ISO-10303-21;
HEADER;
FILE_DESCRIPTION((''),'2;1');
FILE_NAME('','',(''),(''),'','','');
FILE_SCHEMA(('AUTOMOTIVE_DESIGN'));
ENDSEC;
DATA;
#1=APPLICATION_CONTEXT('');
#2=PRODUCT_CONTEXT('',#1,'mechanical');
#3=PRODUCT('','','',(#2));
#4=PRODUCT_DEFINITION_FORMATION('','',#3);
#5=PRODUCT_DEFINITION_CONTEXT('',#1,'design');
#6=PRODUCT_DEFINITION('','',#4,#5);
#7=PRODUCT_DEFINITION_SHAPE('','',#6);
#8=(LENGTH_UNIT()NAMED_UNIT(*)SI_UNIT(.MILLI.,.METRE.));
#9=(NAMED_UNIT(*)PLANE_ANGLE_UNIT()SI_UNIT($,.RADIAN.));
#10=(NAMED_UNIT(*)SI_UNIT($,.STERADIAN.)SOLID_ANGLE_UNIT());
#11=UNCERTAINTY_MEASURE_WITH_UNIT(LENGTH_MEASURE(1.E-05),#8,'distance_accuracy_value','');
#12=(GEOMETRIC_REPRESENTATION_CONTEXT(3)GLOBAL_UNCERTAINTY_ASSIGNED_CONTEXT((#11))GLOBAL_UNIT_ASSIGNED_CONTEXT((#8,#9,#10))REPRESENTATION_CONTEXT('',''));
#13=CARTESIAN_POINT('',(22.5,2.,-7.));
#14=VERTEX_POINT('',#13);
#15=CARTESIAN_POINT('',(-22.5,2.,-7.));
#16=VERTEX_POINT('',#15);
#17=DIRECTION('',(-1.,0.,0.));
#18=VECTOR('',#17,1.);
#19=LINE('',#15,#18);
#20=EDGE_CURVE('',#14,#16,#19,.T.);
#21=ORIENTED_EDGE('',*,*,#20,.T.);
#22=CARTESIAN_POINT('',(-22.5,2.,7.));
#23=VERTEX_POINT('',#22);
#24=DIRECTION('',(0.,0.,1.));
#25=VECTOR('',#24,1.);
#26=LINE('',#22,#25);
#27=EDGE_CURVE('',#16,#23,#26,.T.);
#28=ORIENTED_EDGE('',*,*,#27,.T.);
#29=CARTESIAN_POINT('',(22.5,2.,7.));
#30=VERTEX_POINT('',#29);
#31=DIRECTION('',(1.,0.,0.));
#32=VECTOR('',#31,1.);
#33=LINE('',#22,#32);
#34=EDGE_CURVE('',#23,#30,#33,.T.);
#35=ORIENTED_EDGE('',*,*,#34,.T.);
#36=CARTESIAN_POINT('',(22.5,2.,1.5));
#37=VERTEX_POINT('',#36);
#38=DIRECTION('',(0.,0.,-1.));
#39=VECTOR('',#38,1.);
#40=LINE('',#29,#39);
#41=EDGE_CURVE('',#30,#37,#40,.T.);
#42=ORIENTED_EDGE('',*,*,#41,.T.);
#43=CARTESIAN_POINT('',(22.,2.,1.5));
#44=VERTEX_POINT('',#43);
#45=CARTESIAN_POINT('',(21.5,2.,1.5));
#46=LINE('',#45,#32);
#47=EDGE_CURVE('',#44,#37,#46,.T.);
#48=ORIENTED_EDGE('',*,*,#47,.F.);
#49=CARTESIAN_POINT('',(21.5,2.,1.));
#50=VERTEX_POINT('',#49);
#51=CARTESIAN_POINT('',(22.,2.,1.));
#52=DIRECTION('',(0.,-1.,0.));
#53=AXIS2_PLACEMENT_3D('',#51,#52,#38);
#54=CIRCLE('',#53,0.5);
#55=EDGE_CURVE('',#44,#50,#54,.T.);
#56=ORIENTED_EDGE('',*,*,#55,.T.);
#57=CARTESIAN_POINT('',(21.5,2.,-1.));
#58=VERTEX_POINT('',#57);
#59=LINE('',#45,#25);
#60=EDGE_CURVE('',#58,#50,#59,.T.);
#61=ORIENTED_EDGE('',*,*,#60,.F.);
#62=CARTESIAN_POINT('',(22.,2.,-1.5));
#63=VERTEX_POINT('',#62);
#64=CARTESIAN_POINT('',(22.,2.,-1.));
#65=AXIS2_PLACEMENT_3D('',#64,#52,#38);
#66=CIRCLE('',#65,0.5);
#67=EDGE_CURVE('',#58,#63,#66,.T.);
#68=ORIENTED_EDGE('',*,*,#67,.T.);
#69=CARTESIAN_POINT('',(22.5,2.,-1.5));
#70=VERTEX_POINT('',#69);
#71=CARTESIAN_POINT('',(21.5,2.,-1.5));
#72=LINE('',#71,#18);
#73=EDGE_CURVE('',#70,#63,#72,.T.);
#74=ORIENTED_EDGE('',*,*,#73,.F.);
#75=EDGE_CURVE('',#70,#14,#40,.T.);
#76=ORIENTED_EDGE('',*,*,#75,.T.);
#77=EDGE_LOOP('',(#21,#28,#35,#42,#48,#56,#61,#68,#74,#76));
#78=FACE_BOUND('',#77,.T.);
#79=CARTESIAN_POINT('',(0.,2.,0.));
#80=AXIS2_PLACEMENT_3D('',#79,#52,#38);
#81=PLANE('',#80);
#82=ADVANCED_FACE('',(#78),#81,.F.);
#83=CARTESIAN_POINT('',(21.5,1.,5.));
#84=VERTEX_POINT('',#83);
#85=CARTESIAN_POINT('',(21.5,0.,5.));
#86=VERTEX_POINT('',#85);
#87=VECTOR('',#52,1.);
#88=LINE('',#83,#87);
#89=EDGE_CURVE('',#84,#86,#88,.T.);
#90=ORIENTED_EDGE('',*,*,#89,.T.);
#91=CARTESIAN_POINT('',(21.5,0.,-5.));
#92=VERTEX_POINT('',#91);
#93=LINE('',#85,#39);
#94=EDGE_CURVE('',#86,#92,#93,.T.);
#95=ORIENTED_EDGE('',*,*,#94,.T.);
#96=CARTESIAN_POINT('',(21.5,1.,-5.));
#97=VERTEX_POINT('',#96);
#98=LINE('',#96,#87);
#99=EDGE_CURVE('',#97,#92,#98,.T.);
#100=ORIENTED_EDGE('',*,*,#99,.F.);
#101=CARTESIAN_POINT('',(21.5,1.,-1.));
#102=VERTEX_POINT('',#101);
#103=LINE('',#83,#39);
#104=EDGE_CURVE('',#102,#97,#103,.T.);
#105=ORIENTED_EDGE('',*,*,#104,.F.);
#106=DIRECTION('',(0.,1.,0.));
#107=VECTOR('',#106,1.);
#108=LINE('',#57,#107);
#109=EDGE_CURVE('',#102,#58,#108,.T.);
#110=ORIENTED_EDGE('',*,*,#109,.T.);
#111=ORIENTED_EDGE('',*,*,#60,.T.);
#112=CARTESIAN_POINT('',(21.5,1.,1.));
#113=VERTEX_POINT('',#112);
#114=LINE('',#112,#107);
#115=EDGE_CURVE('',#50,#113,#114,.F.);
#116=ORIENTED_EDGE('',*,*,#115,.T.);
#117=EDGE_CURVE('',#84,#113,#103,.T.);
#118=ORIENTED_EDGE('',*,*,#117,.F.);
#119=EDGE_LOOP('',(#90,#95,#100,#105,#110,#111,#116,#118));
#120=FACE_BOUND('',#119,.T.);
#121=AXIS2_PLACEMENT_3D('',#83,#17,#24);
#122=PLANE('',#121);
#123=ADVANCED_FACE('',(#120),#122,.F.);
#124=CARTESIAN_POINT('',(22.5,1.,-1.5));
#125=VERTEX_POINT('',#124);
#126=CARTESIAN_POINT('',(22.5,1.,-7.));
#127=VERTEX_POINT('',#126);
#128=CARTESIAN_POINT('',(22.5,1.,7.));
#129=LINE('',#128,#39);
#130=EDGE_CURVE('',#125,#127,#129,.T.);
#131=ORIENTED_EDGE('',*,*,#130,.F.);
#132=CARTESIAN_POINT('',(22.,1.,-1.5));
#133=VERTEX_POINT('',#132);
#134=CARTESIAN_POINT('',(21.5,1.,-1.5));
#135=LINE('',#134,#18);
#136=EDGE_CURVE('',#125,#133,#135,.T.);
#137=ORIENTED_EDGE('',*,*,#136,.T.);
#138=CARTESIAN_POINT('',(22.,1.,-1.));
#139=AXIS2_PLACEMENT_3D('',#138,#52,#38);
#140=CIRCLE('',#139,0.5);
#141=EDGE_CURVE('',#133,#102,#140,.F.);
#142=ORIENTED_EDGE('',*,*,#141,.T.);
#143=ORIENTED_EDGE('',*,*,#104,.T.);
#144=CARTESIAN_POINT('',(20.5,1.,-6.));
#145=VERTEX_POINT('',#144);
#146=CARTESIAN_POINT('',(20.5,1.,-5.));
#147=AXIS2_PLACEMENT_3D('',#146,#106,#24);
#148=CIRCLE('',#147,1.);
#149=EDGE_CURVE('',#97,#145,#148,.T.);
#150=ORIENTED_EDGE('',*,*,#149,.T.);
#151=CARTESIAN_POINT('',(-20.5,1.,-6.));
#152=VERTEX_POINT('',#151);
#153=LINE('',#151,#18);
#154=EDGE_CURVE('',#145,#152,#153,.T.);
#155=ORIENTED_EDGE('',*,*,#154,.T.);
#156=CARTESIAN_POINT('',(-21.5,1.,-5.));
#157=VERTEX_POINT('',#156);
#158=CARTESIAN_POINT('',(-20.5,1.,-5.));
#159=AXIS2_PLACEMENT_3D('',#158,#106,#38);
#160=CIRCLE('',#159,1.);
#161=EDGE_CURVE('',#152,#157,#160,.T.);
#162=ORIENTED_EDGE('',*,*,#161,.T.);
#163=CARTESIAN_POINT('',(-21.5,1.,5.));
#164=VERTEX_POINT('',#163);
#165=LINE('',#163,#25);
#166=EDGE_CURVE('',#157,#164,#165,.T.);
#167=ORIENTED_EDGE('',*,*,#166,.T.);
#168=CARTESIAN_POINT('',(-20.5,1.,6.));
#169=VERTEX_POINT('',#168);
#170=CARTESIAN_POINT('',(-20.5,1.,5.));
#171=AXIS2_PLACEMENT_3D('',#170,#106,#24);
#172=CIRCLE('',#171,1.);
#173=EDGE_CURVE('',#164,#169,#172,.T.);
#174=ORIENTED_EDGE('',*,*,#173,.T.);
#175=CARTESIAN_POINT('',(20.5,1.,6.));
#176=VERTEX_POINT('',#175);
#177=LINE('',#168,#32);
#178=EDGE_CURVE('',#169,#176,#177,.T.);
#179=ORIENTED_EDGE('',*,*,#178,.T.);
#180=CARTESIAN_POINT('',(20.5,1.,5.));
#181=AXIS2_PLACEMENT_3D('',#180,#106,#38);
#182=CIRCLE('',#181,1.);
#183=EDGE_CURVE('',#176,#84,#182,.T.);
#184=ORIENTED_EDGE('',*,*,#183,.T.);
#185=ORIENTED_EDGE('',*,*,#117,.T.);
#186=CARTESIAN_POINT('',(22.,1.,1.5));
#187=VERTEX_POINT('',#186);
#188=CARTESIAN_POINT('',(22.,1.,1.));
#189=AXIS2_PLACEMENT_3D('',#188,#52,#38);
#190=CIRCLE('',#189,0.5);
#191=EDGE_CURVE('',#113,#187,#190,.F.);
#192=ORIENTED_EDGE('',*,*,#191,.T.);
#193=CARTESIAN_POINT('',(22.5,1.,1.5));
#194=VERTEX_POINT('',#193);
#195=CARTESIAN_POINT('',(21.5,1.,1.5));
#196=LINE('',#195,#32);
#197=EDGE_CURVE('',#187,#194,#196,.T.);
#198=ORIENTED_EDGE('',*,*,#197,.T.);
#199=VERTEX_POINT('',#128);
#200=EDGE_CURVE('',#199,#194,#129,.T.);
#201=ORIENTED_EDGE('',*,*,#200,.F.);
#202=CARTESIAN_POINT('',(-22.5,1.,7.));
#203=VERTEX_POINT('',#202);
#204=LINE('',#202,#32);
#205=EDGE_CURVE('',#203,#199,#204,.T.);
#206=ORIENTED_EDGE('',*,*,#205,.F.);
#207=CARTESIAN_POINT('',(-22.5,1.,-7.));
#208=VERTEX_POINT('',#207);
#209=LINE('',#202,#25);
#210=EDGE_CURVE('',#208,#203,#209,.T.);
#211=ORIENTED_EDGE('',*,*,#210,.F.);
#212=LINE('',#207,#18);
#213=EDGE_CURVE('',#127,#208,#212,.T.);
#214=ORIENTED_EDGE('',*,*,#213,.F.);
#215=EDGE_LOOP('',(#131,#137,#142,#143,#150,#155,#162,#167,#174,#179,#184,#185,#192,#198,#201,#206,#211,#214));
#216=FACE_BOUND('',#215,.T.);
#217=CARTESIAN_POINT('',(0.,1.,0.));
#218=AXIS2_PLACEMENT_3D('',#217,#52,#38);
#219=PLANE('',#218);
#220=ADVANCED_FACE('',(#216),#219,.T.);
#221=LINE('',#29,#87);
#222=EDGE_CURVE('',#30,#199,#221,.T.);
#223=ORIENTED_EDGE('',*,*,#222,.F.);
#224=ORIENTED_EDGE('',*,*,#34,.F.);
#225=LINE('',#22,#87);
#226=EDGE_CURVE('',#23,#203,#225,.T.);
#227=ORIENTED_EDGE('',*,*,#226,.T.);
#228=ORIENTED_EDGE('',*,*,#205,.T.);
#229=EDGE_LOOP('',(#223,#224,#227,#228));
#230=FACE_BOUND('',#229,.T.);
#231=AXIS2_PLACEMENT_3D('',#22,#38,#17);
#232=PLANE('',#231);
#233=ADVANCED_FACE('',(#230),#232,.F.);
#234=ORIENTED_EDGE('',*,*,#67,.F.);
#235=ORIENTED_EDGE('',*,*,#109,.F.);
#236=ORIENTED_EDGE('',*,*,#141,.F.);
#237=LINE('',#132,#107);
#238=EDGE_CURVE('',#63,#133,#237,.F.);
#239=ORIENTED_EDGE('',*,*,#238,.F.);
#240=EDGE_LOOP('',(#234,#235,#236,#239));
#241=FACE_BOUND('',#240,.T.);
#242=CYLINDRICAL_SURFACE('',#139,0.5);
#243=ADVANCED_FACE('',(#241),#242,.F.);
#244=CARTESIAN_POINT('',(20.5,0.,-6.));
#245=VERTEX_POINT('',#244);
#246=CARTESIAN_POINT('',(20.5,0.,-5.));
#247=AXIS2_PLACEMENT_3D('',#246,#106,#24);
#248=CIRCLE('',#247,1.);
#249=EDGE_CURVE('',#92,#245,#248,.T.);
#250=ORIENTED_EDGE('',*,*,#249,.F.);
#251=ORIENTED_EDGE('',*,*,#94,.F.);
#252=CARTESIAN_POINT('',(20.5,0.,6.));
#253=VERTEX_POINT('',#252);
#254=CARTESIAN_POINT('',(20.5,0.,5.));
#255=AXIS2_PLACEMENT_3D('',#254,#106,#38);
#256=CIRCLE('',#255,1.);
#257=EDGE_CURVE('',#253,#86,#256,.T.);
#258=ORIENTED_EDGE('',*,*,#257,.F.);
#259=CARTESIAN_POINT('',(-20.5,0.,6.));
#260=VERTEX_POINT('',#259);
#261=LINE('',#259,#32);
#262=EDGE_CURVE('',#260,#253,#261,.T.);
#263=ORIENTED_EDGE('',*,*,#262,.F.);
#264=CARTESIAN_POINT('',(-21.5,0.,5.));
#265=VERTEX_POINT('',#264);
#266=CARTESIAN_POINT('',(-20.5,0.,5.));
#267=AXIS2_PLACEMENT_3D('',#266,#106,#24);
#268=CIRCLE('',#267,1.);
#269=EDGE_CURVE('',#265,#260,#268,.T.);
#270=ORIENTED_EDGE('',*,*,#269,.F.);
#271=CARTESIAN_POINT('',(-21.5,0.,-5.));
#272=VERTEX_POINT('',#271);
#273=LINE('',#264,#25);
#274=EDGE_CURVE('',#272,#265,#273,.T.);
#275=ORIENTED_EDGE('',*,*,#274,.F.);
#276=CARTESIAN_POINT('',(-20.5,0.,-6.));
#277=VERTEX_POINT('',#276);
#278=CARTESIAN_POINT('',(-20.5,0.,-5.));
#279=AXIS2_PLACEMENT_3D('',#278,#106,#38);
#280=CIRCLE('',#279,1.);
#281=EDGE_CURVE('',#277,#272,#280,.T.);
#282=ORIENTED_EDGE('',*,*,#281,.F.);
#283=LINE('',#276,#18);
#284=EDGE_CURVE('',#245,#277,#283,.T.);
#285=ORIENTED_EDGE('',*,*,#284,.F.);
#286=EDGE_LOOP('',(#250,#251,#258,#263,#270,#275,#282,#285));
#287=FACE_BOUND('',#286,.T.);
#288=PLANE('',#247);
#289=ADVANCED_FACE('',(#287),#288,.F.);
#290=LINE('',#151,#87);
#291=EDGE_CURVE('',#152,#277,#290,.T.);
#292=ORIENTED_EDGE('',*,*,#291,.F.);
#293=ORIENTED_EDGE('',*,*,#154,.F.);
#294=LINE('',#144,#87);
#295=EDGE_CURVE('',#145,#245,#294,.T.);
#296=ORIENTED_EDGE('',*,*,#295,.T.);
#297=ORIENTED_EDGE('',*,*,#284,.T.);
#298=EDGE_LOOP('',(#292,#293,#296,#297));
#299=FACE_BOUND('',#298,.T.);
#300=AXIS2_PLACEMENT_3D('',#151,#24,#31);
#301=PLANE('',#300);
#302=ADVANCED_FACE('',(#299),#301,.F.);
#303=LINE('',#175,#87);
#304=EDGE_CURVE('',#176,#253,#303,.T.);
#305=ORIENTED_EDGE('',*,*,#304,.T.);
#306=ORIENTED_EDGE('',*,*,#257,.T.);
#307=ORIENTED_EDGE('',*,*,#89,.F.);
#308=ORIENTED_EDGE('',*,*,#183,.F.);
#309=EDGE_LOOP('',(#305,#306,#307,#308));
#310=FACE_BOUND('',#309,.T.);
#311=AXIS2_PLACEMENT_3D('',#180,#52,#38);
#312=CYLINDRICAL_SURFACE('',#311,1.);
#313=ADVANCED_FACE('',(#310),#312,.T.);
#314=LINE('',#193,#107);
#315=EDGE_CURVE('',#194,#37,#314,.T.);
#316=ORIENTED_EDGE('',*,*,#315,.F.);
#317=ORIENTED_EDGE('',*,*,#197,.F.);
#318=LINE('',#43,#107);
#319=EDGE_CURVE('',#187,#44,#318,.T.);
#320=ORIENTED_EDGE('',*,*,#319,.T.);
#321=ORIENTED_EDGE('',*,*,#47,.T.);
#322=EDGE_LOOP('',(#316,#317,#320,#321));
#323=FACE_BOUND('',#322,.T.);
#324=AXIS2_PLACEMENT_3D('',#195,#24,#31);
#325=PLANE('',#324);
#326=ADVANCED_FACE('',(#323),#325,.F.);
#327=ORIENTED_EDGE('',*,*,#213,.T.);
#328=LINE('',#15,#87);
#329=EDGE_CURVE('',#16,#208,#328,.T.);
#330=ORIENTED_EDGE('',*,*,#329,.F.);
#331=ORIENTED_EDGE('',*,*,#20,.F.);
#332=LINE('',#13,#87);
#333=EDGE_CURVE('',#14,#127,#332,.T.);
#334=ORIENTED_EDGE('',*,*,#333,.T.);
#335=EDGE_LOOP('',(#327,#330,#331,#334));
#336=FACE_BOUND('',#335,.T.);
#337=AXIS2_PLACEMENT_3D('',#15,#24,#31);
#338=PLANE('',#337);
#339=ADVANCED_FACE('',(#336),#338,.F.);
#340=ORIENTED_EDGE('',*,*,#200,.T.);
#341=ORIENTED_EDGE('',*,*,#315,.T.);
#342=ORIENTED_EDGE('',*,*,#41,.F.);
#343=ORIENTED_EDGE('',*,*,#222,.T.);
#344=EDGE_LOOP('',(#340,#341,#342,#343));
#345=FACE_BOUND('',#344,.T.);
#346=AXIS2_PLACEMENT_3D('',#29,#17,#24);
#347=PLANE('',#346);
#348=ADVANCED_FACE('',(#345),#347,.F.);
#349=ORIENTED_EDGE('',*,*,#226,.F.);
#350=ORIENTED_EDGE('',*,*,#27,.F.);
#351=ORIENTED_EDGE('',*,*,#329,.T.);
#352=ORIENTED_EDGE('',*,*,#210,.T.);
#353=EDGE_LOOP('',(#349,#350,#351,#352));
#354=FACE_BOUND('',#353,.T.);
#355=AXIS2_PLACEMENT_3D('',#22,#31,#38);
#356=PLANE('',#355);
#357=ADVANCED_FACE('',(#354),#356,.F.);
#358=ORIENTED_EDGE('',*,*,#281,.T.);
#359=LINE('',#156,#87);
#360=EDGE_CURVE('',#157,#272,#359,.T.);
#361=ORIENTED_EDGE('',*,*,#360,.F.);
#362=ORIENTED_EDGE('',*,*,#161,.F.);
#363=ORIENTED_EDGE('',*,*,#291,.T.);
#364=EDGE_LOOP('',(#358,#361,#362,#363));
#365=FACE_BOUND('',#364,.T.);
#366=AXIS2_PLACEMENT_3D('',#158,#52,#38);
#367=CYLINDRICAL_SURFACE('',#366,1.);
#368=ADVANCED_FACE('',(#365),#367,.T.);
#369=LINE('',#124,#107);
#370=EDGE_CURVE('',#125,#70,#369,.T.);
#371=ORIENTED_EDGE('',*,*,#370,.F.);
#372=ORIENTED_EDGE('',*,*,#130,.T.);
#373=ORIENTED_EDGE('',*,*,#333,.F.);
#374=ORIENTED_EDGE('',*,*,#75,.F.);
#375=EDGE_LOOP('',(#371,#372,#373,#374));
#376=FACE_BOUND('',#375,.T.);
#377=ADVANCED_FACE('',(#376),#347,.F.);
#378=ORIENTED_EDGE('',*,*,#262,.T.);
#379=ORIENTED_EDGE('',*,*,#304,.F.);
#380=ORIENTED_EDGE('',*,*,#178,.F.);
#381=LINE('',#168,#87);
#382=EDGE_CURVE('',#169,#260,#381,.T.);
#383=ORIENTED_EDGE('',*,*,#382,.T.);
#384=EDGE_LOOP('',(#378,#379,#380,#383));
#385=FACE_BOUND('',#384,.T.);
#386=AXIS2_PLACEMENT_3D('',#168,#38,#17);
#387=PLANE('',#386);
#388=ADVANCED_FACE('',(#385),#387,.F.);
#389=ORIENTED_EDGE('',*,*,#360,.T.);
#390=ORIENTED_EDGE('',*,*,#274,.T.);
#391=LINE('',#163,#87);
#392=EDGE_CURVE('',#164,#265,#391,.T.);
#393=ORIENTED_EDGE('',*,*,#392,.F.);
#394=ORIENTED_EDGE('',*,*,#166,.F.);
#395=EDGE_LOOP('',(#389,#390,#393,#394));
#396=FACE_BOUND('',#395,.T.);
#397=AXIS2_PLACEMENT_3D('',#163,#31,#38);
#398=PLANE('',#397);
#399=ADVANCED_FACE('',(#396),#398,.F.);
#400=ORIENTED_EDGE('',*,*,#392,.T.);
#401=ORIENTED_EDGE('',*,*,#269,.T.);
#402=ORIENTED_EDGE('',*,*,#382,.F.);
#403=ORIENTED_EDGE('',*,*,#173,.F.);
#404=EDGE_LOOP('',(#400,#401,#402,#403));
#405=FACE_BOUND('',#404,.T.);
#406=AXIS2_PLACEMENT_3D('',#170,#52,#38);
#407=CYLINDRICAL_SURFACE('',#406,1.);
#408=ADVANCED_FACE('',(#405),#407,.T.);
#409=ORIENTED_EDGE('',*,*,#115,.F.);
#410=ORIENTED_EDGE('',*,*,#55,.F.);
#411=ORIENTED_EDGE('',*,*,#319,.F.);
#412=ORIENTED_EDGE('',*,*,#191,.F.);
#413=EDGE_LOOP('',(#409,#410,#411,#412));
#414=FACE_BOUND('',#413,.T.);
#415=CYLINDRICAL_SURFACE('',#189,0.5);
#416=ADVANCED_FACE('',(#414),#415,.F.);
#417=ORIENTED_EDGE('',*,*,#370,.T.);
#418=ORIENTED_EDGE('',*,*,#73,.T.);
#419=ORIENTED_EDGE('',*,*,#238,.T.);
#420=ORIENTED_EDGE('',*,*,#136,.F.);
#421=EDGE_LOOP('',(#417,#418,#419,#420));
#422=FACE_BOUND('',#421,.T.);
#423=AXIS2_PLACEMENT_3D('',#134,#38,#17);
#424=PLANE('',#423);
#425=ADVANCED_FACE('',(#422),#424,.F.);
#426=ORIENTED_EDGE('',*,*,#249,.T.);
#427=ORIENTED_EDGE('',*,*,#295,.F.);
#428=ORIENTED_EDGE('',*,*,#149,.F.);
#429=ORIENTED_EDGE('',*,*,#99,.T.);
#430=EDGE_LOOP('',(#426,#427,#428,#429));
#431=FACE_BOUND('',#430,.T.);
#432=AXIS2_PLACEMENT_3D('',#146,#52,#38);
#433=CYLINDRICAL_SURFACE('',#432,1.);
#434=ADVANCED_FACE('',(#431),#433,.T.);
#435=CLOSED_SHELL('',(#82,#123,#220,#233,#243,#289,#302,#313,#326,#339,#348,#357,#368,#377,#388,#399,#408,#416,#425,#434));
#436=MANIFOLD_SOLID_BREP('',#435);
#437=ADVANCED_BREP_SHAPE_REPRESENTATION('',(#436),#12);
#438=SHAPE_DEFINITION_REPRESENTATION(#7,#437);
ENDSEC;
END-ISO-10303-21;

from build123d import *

# Parameters (mm, degrees)
BOSS_EXTRUDE1_DEPTH = 1
SKETCH2_W           = 45
SKETCH2_H           = 14
BOSS_EXTRUDE2_DEPTH = 1
SKETCH3_W           = 1
SKETCH3_H           = 3
CUT_EXTRUDE1_DEPTH  = 1
FILLET1_R           = 0.5


with BuildPart() as part:
    # Sketch1 → Boss-Extrude1 (new body)
    with BuildSketch(Plane(origin=(0, 0, 0), x_dir=(1, 0, 0), z_dir=(0, 1, 0))):
        with BuildLine():
            Line((-20.5, -6), (20.5, -6))
            ThreePointArc((20.5, -6), (21.207106781, -5.707106781), (21.5, -5))
            Line((21.5, -5), (21.5, 5))
            ThreePointArc((21.5, 5), (21.207106781, 5.707106781), (20.5, 6))
            Line((20.5, 6), (-20.5, 6))
            ThreePointArc((-20.5, 6), (-21.207106781, 5.707106781), (-21.5, 5))
            Line((-21.5, 5), (-21.5, -5))
            ThreePointArc((-21.5, -5), (-21.207106781, -5.707106781), (-20.5, -6))
        make_face()
    extrude(amount=BOSS_EXTRUDE1_DEPTH)

    # Sketch2 → Boss-Extrude2 (add)
    with BuildSketch(Plane(origin=(0, 1, 0), x_dir=(1, 0, 0), z_dir=(0, 1, 0))):
        Rectangle(SKETCH2_W, SKETCH2_H)
    extrude(amount=BOSS_EXTRUDE2_DEPTH)

    # Sketch3 → Cut-Extrude1 (cut)
    with BuildSketch(Plane(origin=(0, 2, 0), x_dir=(1, 0, 0), z_dir=(0, 1, 0))):
        with Locations((22, 0)):
            Rectangle(SKETCH3_W, SKETCH3_H)
    extrude(amount=-CUT_EXTRUDE1_DEPTH, mode=Mode.SUBTRACT)

    # Fillet1
    fillet1_edges = [part.edges().sort_by_distance(p)[0] for p in [
        (21.5, 1.5, 1.5),
        (21.5, 1.5, -1.5),
    ]]
    fillet(fillet1_edges, radius=FILLET1_R)


solid = part.part
